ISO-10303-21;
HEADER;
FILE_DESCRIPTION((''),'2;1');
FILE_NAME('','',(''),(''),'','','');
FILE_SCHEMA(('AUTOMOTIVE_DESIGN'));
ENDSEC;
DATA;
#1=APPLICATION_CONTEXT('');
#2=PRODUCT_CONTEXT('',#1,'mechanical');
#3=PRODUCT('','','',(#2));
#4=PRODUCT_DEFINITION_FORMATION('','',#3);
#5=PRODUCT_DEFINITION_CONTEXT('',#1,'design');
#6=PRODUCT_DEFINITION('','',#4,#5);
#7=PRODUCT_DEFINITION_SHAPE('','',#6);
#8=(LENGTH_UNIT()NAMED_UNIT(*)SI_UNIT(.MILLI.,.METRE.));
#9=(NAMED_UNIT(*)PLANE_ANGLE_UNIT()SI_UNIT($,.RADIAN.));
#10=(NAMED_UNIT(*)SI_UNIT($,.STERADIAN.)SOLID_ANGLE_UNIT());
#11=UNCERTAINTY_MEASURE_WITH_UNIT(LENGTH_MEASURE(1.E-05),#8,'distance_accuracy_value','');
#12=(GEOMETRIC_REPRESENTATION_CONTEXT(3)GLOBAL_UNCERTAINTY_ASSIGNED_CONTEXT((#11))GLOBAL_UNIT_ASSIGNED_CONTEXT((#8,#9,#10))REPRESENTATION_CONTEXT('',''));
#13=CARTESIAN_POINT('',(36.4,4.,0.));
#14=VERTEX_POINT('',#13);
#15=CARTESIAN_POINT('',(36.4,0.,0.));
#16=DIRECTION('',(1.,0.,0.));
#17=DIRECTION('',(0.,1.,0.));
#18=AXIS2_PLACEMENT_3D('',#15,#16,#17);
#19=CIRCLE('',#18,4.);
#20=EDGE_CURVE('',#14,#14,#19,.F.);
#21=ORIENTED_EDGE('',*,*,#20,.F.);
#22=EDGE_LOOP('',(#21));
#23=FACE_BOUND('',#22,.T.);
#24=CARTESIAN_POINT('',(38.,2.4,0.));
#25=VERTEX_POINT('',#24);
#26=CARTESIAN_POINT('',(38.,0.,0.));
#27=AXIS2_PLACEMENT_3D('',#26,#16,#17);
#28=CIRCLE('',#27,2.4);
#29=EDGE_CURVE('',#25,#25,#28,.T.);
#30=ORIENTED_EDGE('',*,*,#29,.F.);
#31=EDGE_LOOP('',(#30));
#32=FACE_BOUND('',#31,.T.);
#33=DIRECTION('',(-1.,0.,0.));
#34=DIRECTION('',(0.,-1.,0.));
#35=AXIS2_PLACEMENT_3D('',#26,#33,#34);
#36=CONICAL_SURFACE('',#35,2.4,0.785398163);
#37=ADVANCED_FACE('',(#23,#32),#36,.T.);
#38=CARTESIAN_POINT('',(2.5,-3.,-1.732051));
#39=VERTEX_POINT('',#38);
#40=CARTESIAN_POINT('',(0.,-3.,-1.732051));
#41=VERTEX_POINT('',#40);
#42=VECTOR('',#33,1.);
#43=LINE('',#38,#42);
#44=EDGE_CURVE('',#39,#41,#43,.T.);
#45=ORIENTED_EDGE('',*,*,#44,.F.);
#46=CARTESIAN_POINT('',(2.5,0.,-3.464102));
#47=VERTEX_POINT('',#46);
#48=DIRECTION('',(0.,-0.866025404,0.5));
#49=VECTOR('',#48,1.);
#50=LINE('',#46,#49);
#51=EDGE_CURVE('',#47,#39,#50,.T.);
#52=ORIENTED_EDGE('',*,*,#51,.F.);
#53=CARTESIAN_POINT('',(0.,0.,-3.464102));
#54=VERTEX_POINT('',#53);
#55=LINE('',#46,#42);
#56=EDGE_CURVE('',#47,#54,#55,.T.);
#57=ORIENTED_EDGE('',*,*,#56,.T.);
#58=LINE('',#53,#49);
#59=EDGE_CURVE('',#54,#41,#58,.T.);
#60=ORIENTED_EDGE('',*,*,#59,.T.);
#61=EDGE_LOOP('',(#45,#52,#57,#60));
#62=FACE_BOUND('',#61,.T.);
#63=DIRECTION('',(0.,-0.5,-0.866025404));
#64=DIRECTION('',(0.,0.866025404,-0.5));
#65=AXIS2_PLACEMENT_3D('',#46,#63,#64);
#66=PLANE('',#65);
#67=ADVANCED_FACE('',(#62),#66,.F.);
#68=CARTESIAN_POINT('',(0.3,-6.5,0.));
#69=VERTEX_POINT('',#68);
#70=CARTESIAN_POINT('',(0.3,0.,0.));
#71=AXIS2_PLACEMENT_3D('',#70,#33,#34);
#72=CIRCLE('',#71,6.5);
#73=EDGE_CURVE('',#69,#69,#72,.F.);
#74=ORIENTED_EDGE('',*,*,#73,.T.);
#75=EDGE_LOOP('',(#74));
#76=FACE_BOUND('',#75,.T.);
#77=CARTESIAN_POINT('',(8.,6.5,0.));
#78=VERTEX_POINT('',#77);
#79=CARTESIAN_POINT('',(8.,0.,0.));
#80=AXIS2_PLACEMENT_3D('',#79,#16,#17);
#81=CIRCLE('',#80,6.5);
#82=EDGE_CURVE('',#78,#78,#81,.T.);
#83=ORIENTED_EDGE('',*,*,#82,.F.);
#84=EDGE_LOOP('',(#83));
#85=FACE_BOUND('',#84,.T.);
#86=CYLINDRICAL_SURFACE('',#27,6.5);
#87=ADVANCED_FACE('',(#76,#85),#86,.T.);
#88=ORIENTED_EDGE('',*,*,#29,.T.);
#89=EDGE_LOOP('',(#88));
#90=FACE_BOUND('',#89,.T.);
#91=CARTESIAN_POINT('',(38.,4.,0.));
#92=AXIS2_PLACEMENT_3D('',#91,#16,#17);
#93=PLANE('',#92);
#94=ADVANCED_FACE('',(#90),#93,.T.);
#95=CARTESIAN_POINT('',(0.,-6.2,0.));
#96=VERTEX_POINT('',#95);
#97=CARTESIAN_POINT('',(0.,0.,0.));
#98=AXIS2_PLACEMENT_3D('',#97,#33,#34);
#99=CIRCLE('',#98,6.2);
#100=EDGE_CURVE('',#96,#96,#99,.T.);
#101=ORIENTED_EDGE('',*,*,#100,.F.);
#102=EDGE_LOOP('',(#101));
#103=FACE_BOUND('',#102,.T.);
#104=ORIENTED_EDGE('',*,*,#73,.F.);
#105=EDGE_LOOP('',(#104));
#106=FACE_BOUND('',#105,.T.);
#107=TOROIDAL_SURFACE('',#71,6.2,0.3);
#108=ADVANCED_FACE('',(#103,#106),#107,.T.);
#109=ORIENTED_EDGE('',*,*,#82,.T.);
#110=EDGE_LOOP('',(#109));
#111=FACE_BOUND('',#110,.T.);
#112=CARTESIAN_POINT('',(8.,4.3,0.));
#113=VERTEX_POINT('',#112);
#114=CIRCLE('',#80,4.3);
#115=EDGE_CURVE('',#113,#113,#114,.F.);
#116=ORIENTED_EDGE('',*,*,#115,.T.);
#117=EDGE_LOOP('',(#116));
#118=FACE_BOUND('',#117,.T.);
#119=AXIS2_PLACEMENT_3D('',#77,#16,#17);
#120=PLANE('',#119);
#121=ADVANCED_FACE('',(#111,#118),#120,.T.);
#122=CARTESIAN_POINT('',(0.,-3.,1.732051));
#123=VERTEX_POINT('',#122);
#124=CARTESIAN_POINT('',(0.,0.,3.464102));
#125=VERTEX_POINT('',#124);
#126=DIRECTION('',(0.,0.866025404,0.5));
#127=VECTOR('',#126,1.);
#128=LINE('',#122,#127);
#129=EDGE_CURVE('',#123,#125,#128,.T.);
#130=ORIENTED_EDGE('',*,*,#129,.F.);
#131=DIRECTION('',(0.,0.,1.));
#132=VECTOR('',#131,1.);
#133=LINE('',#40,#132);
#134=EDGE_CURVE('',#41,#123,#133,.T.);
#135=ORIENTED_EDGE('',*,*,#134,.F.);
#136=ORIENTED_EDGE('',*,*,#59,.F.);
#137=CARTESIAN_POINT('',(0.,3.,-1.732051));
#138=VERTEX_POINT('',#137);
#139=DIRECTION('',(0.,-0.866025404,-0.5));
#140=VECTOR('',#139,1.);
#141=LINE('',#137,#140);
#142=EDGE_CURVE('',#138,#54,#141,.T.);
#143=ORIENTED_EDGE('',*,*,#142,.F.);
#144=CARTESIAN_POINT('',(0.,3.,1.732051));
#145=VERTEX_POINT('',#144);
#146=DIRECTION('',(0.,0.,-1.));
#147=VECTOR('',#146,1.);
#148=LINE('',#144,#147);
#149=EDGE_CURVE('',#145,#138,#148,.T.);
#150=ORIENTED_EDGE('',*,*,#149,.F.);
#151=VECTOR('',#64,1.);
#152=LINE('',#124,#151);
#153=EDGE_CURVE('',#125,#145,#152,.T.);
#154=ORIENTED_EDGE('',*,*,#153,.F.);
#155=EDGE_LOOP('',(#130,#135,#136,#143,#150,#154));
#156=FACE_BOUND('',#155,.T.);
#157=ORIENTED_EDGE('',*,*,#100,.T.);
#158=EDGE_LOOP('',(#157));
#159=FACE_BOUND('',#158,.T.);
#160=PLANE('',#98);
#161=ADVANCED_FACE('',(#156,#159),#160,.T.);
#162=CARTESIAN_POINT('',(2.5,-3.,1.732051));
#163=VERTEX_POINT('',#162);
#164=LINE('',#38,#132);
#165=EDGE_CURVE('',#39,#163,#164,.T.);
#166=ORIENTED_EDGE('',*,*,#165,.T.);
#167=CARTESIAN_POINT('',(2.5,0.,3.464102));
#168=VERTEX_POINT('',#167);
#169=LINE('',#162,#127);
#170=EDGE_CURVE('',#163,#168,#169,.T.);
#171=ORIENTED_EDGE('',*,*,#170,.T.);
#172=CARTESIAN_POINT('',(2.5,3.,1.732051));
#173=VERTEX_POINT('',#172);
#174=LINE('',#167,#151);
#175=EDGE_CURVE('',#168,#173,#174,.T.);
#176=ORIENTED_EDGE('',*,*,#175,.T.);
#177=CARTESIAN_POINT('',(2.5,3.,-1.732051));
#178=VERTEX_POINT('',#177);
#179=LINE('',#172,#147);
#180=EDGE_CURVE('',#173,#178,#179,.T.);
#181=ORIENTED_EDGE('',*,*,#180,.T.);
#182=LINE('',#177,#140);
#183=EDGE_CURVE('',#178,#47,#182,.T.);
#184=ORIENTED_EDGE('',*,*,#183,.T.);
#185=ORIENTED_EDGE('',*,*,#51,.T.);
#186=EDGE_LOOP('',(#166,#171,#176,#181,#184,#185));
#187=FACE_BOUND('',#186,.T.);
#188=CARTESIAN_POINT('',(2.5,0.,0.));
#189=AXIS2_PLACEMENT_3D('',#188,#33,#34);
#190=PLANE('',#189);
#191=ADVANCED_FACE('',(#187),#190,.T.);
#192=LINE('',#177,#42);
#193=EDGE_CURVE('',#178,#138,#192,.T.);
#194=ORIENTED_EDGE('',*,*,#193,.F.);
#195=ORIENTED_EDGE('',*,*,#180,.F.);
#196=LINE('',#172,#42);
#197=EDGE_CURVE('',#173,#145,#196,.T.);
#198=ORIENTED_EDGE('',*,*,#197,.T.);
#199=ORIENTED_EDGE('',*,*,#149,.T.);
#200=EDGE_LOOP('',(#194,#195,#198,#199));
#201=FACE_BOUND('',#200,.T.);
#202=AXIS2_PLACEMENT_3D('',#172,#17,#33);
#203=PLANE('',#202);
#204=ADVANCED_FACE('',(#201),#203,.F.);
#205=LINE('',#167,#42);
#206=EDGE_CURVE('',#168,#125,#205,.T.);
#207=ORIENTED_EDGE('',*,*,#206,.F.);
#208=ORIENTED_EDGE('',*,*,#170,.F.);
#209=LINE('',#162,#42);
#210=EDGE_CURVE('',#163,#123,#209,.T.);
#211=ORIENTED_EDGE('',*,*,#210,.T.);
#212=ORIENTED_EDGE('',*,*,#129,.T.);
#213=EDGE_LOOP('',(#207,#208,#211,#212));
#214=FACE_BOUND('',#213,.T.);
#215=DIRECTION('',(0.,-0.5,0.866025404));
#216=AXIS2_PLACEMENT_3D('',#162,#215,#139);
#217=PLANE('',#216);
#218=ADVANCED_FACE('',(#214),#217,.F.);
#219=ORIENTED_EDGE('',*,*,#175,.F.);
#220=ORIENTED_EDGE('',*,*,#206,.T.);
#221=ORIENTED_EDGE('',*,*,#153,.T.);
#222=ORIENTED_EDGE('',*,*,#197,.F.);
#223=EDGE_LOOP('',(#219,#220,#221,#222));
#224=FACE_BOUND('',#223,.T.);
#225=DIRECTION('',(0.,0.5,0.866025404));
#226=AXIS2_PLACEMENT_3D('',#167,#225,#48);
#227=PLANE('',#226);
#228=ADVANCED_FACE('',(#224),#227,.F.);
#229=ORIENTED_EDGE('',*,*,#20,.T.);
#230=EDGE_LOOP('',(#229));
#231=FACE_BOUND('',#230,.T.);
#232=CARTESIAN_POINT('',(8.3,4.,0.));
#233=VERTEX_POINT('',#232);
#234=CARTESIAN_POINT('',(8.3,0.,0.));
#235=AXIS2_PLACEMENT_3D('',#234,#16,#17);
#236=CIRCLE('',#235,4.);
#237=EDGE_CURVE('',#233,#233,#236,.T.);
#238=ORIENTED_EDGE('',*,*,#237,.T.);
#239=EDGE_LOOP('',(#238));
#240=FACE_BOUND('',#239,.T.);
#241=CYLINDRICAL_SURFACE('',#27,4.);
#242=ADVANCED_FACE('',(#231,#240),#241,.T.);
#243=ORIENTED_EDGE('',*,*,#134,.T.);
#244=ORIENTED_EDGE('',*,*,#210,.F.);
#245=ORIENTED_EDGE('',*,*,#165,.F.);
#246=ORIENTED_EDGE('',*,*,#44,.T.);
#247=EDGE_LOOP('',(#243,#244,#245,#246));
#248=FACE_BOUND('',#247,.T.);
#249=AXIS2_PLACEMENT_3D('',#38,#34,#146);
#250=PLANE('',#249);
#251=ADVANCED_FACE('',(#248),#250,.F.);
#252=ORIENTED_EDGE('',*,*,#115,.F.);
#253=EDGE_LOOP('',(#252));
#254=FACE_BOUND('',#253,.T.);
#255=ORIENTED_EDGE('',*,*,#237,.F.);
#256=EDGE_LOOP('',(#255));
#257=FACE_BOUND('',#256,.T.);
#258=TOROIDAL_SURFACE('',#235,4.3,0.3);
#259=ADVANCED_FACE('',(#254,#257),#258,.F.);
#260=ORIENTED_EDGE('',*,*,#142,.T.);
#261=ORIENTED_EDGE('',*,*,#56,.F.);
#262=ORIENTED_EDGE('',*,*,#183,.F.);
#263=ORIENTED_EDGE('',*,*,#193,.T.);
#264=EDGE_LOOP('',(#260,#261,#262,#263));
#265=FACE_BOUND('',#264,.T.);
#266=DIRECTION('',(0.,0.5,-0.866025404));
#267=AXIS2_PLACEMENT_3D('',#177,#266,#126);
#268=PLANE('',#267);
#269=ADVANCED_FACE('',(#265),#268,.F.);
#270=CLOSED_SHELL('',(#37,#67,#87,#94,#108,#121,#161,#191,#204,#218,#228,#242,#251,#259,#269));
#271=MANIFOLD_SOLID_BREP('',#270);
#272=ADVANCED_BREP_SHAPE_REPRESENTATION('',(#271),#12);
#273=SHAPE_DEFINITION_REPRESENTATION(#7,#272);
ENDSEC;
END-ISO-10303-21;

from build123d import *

# Parameters (mm, degrees)
CUT_EXTRUDE_1_DEPTH = 2.5
FILLET_1_R          = 0.3
CHAMFER_1_SIZE      = 1.6


with BuildPart() as part:
    # Эскиз1 → Повернуть1 (revolve)
    with BuildSketch(Plane.XY):
        Polygon((0, 0), (0, 6.5), (8, 6.5), (8, 4), (38, 4), (38, 0), align=None)
    revolve(axis=Axis((38, 0, 0), (-1, 0, 0)))

    # Эскиз2 → Вырез-Вытянуть1 (cut)
    with BuildSketch(Plane.ZY):
        Polygon((-1.732050808, 3), (-3.464101615, 0), (-1.732050808, -3), (1.732050808, -3), (3.464101615, 0), (1.732050808, 3), align=None)
    extrude(amount=-CUT_EXTRUDE_1_DEPTH, mode=Mode.SUBTRACT)

    # Скругление1
    fillet_1_edges = [part.edges().sort_by_distance(p)[0] for p in [
        (8, -4, 0),
        (0, -6.5, 0),
    ]]
    fillet(fillet_1_edges, radius=FILLET_1_R)

    # Фаска1
    chamfer_1_edges = [part.edges().sort_by_distance(p)[0] for p in [
        (38, -4, 0),
    ]]
    chamfer(chamfer_1_edges, length=CHAMFER_1_SIZE)


solid = part.part
